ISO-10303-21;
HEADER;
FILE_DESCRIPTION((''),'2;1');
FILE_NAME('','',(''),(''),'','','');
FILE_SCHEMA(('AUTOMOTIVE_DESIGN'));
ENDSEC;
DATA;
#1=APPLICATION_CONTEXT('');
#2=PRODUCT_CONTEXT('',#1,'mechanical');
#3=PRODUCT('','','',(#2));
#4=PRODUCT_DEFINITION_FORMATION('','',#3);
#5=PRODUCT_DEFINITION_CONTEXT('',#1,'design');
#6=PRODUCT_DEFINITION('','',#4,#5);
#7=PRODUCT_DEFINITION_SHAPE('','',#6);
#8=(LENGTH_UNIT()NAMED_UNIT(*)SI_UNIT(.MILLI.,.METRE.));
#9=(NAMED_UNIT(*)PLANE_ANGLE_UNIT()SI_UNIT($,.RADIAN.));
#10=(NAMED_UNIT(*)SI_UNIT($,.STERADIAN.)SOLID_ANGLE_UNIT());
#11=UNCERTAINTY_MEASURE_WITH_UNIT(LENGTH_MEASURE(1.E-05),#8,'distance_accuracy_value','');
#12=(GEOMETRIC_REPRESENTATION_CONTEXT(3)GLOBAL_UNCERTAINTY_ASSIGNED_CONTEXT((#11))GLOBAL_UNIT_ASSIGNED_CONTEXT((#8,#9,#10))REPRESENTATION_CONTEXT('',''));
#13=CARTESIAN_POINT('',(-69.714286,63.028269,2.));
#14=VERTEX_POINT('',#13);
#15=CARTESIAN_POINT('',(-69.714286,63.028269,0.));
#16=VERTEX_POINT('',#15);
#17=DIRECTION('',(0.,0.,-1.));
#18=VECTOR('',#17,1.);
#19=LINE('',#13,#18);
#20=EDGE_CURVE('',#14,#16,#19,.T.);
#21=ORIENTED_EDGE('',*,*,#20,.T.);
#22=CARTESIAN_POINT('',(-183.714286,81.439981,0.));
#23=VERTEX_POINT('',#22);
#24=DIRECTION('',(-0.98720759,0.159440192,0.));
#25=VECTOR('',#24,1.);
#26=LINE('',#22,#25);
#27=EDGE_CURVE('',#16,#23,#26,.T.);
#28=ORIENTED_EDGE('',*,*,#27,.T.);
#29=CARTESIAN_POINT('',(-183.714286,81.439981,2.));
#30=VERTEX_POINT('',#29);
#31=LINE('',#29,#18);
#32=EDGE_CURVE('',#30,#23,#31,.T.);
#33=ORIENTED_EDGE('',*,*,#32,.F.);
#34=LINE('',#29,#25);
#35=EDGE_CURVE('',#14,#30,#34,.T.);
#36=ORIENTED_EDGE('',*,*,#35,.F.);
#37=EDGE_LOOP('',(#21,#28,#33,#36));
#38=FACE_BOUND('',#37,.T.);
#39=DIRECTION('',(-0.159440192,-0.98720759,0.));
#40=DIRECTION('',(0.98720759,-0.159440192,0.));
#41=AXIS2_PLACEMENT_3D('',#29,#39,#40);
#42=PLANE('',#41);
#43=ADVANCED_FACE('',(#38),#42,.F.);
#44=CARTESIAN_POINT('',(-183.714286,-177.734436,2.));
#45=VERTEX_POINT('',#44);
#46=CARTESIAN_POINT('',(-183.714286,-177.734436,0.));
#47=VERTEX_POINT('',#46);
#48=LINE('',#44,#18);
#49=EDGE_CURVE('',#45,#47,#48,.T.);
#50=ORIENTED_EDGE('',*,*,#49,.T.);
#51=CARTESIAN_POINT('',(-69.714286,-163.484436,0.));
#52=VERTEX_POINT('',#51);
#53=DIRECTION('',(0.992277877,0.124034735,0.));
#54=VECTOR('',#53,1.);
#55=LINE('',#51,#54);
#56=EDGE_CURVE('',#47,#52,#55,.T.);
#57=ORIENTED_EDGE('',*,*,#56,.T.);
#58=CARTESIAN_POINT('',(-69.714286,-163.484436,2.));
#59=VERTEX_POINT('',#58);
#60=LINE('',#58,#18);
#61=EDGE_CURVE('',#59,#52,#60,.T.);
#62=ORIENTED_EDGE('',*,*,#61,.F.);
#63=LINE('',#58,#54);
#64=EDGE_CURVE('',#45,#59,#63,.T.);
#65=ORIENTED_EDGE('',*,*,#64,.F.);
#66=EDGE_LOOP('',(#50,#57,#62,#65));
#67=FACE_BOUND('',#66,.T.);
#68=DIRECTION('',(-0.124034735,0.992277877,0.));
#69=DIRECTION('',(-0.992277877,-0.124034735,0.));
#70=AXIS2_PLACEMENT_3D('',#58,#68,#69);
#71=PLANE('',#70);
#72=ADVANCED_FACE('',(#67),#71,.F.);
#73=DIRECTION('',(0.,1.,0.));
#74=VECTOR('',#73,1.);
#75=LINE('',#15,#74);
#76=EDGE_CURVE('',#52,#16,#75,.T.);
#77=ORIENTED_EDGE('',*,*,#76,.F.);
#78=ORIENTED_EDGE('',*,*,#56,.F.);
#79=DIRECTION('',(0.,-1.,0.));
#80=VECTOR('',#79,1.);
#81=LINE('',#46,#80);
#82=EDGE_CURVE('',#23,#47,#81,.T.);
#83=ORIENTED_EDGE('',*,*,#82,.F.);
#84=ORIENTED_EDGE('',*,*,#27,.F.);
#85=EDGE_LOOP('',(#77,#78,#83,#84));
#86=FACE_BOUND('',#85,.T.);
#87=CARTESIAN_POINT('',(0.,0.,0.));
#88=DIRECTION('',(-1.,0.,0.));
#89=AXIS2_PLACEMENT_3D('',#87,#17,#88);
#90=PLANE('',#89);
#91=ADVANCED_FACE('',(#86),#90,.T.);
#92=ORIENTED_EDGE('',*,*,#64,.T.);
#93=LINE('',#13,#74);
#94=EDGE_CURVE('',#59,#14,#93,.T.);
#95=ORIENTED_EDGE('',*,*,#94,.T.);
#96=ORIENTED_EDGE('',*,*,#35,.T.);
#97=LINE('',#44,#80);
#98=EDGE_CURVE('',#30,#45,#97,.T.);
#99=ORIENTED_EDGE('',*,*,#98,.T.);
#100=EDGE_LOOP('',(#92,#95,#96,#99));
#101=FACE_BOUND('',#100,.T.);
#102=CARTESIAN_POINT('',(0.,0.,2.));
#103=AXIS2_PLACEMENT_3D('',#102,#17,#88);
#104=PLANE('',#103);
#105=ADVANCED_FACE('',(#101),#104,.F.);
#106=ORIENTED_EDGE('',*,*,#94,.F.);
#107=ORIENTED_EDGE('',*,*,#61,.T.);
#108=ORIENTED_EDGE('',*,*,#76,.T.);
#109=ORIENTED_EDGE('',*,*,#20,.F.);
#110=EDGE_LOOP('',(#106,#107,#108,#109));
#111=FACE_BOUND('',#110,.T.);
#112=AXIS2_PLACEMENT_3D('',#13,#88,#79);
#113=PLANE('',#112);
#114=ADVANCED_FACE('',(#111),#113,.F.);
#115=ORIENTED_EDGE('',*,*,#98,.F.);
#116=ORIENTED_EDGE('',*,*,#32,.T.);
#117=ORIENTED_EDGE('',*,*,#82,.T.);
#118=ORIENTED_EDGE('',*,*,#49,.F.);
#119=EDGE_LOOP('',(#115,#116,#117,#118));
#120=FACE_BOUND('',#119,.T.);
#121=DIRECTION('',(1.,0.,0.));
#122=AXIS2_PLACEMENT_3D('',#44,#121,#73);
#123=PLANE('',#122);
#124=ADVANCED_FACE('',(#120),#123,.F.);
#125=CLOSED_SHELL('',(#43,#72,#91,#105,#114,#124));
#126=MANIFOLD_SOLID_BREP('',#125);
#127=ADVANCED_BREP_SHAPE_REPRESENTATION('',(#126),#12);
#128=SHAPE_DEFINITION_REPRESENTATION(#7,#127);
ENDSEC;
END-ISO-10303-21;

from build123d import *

# Parameters (mm, degrees)
BOSS_EXTRUDE1_DEPTH = 2


with BuildPart() as part:
    # Sketch1 → Boss-Extrude1 (new body)
    with BuildSketch(Plane.XY):
        Polygon((-69.714285714, 63.028269367), (-69.714285714, -163.484435563), (-183.714285714, -177.734435563), (-183.714285714, 81.439981395), align=None)
    extrude(amount=BOSS_EXTRUDE1_DEPTH)


solid = part.part
